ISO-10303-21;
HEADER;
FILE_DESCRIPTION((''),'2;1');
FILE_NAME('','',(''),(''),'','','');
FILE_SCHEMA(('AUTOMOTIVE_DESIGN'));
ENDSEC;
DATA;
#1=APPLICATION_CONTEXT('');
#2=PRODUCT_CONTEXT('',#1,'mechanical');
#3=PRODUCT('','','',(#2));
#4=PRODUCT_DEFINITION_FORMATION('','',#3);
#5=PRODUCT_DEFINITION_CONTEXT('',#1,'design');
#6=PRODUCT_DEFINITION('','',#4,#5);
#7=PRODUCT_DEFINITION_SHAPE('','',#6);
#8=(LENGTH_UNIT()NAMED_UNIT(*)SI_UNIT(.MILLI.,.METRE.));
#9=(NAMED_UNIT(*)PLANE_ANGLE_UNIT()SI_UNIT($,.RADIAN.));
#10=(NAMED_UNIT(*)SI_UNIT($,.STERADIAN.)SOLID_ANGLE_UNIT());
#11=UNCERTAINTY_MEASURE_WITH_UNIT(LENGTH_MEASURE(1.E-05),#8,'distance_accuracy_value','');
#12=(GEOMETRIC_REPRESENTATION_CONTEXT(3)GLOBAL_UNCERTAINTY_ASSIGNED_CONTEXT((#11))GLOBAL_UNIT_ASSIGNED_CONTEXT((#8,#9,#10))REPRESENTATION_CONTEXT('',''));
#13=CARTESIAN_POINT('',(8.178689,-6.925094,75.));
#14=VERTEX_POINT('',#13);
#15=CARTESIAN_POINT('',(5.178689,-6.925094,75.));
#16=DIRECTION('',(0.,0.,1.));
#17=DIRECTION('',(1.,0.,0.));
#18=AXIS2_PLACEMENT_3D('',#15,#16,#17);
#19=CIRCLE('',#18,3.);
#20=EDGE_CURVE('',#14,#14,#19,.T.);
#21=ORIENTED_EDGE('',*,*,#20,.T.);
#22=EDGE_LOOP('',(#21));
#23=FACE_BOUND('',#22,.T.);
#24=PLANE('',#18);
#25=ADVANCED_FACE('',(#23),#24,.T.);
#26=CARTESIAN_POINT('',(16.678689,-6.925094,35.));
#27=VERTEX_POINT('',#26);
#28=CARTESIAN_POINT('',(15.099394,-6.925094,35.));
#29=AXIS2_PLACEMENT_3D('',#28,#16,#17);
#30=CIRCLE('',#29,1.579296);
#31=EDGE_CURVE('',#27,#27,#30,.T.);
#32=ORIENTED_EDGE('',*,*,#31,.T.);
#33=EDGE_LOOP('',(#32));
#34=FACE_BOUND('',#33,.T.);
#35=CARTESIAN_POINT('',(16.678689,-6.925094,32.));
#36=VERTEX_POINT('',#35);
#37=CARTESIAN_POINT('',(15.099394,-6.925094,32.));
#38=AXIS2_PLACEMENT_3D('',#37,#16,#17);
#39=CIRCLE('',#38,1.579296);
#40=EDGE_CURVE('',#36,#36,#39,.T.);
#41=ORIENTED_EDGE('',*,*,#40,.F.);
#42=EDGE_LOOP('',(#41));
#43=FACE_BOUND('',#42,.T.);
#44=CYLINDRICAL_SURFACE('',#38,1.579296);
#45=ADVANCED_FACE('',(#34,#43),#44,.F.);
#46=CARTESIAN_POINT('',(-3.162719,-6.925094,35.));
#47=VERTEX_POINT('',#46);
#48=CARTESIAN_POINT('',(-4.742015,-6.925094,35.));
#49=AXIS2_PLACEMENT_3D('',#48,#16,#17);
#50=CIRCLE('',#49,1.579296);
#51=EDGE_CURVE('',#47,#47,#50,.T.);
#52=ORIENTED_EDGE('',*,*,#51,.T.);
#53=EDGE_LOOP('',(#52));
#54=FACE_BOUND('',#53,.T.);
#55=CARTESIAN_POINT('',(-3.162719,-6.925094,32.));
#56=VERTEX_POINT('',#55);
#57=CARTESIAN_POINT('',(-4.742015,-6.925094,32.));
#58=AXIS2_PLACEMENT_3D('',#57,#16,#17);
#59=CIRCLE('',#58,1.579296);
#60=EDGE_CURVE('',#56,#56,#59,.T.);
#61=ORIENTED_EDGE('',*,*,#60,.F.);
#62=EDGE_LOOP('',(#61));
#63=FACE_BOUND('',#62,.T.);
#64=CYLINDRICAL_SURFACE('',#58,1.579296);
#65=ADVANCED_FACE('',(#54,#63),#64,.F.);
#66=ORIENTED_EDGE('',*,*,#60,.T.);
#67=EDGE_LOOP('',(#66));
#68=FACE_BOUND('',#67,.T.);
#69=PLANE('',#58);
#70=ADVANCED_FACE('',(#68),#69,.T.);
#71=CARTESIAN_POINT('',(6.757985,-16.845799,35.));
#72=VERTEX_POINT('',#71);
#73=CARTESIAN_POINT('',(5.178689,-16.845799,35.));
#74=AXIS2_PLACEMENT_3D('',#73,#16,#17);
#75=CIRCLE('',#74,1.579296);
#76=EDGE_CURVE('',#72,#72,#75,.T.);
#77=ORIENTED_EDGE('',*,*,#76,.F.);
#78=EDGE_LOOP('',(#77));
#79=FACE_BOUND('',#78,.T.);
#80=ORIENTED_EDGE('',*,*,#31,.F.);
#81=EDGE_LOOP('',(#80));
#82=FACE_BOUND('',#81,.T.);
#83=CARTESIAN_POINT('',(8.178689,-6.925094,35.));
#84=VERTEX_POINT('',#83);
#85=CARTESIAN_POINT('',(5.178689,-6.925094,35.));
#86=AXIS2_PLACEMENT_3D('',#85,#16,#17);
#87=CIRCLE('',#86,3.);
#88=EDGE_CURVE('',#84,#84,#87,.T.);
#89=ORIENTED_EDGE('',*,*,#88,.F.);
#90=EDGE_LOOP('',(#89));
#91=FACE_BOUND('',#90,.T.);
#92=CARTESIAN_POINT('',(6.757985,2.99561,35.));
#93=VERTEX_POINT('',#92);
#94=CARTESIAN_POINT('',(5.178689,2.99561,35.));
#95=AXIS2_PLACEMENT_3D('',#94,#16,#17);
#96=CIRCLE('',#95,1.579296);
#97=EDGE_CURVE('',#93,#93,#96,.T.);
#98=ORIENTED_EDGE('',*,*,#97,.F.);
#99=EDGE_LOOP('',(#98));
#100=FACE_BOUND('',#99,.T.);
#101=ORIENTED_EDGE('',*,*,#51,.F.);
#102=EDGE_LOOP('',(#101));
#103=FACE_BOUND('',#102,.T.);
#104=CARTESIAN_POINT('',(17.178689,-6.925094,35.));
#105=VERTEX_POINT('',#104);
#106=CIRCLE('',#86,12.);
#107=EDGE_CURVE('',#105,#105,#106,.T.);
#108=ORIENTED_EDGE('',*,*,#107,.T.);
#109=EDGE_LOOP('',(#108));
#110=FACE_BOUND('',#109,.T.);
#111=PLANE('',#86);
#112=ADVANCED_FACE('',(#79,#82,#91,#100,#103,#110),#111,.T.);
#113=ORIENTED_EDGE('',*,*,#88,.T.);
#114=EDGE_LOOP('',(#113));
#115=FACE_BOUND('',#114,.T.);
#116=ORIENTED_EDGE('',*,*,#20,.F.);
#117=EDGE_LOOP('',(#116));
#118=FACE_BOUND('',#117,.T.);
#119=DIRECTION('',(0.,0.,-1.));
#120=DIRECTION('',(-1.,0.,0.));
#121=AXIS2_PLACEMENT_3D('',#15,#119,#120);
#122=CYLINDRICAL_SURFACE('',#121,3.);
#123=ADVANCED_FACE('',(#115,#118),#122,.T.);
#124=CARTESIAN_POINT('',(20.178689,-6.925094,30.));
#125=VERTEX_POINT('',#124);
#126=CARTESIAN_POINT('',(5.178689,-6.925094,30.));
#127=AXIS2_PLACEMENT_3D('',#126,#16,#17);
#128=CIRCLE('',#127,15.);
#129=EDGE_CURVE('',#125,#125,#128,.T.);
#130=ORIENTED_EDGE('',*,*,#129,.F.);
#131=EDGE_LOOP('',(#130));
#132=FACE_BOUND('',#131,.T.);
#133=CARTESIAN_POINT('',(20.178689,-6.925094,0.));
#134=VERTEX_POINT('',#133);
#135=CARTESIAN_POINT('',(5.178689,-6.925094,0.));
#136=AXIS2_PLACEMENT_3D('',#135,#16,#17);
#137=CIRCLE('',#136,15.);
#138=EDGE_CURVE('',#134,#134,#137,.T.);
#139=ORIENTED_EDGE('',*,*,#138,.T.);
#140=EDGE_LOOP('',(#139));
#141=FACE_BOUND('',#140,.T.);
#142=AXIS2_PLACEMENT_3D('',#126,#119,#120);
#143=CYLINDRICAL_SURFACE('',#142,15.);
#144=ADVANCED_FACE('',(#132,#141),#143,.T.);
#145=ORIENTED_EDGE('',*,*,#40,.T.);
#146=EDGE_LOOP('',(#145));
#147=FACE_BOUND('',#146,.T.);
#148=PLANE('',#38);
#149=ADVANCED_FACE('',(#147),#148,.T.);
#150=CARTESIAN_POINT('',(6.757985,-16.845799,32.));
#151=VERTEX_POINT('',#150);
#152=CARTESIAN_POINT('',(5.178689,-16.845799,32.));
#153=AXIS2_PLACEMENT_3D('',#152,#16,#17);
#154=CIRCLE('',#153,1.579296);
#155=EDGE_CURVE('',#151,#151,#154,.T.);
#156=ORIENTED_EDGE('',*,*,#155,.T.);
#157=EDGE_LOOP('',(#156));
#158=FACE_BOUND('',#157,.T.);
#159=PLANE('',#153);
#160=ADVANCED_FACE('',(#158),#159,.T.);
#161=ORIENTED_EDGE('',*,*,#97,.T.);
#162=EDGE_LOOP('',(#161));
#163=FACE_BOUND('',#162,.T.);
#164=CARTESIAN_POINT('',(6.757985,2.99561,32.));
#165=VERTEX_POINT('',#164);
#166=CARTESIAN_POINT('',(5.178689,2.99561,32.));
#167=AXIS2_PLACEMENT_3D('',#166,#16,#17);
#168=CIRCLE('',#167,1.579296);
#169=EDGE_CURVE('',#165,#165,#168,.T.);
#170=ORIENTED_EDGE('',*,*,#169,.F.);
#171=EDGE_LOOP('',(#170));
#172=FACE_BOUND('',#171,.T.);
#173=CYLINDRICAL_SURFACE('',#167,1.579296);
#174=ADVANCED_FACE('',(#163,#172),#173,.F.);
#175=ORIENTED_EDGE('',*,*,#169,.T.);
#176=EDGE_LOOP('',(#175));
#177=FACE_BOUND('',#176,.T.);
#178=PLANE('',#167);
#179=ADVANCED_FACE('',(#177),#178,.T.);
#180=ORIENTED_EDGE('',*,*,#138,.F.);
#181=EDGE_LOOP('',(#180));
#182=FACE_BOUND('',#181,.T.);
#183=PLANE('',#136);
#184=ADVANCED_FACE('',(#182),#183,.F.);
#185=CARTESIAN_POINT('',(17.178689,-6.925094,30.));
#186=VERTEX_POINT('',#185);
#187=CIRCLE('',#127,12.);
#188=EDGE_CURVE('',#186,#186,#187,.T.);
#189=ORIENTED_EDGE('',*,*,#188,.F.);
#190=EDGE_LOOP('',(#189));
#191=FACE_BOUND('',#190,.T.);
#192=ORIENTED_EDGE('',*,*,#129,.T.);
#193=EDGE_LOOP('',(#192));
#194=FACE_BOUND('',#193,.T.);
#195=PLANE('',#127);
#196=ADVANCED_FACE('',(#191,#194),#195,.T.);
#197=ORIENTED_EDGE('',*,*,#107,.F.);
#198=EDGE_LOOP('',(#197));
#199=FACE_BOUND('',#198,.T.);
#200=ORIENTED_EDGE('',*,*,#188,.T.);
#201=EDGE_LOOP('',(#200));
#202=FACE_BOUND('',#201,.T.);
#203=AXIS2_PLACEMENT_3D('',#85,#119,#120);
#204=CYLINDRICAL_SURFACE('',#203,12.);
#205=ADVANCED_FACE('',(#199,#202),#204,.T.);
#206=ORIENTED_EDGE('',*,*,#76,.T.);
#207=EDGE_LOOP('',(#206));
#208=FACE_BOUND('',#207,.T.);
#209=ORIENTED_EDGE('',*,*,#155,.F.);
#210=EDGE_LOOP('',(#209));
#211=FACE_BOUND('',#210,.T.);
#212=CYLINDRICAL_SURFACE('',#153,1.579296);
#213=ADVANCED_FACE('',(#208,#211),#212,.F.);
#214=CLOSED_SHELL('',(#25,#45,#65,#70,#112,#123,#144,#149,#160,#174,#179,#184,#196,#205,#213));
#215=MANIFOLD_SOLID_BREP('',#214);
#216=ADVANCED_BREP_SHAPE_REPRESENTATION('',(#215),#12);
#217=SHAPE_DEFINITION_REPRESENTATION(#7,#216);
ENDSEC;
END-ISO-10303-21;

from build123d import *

# Parameters (mm, degrees)
SKETCH1_R           = 15
BOSS_EXTRUDE1_DEPTH = 30
SKETCH2_R           = 12
BOSS_EXTRUDE2_DEPTH = 5
SKETCH4_R           = 1.579295677
CUT_EXTRUDE3_DEPTH  = 3
SKETCH5_R           = 3
BOSS_EXTRUDE3_DEPTH = 40


with BuildPart() as part:
    # Sketch1 → Boss-Extrude1 (new body)
    with BuildSketch(Plane.XY):
        with Locations((5.178689325, -6.92509434)):
            Circle(SKETCH1_R)
    extrude(amount=BOSS_EXTRUDE1_DEPTH)

    # Sketch2 → Boss-Extrude2 (add)
    with BuildSketch(Plane.XY.offset(30)):
        with Locations((5.178689325, -6.92509434)):
            Circle(SKETCH2_R)
    extrude(amount=BOSS_EXTRUDE2_DEPTH)

    # Sketch4 → Cut-Extrude3 (cut)
    with BuildSketch(Plane.XY.offset(35)):
        with Locations((5.178689325, 2.995609984)):
            Circle(SKETCH4_R)
        with Locations((15.099393648, -6.92509434)):
            Circle(SKETCH4_R)
        with Locations((5.178689325, -16.845798663)):
            Circle(SKETCH4_R)
        with Locations((-4.742014998, -6.92509434)):
            Circle(SKETCH4_R)
    extrude(amount=-CUT_EXTRUDE3_DEPTH, mode=Mode.SUBTRACT)

    # Sketch5 → Boss-Extrude3 (add)
    with BuildSketch(Plane.XY.offset(35)):
        with Locations((5.178689325, -6.92509434)):
            Circle(SKETCH5_R)
    extrude(amount=BOSS_EXTRUDE3_DEPTH)


solid = part.part
